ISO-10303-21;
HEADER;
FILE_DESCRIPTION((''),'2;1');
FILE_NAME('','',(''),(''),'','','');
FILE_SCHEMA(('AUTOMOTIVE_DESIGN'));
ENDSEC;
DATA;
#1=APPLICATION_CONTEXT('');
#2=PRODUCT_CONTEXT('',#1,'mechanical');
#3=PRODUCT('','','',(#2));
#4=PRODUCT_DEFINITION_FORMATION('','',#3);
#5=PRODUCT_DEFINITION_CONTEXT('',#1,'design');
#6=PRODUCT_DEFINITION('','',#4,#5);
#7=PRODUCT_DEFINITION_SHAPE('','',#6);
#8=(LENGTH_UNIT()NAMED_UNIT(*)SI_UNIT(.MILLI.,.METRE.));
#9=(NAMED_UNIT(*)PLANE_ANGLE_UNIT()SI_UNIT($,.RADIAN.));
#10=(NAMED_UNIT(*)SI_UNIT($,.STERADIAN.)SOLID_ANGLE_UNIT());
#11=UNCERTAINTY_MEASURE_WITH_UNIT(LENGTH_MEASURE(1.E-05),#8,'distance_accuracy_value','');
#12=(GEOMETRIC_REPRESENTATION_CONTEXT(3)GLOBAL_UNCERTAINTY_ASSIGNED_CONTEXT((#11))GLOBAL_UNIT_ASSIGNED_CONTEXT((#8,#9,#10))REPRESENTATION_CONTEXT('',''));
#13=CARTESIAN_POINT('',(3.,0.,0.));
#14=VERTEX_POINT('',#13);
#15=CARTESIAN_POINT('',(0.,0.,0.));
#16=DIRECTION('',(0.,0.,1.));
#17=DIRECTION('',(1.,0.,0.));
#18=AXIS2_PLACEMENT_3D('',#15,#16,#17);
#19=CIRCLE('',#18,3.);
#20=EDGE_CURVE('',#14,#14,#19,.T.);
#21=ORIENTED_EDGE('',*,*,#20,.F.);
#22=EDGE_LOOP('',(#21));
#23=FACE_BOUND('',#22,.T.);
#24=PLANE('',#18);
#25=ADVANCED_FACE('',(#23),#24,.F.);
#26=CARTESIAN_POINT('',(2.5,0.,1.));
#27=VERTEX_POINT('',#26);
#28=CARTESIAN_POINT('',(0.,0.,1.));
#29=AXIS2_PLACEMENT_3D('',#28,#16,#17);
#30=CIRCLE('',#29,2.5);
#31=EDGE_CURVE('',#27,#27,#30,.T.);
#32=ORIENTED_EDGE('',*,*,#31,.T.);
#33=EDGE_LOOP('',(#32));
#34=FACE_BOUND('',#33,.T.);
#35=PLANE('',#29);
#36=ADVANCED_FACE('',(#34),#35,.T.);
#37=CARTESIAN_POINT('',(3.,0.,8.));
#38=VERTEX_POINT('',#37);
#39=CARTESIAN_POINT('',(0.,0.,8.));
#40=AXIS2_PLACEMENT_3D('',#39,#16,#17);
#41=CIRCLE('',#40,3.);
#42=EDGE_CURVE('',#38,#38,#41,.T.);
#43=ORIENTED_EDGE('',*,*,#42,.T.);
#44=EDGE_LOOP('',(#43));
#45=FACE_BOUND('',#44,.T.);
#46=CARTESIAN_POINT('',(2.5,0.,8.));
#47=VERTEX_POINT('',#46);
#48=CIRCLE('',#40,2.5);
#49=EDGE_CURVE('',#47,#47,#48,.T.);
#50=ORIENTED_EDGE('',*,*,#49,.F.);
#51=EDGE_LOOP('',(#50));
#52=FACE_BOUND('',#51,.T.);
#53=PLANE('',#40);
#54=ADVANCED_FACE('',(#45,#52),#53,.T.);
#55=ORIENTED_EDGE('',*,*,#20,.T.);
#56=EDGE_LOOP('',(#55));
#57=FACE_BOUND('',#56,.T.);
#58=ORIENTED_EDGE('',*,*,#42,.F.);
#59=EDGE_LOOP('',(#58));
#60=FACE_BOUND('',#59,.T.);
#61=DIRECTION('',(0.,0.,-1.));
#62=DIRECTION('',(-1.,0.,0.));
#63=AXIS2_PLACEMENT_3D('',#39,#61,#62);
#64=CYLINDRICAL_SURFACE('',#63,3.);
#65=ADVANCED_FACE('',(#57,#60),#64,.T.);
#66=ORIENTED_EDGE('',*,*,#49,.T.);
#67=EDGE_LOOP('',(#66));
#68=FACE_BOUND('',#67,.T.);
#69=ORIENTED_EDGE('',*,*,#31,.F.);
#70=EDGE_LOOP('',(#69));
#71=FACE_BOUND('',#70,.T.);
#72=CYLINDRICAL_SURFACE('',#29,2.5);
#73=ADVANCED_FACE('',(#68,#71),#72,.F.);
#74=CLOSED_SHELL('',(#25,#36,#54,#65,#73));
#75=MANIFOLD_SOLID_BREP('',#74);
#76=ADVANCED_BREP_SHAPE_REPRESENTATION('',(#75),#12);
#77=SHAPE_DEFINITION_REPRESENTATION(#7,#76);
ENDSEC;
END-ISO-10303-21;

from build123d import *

# Parameters (mm, degrees)
SKETCH1_R           = 3
BOSS_EXTRUDE1_DEPTH = 8
SKETCH2_R           = 2.5
CUT_EXTRUDE1_DEPTH  = 7


with BuildPart() as part:
    # Sketch1 → Boss-Extrude1 (new body)
    with BuildSketch(Plane.XY):
        Circle(SKETCH1_R)
    extrude(amount=BOSS_EXTRUDE1_DEPTH)

    # Sketch2 → Cut-Extrude1 (cut)
    with BuildSketch(Plane.XY.offset(8)):
        Circle(SKETCH2_R)
    extrude(amount=-CUT_EXTRUDE1_DEPTH, mode=Mode.SUBTRACT)


solid = part.part
